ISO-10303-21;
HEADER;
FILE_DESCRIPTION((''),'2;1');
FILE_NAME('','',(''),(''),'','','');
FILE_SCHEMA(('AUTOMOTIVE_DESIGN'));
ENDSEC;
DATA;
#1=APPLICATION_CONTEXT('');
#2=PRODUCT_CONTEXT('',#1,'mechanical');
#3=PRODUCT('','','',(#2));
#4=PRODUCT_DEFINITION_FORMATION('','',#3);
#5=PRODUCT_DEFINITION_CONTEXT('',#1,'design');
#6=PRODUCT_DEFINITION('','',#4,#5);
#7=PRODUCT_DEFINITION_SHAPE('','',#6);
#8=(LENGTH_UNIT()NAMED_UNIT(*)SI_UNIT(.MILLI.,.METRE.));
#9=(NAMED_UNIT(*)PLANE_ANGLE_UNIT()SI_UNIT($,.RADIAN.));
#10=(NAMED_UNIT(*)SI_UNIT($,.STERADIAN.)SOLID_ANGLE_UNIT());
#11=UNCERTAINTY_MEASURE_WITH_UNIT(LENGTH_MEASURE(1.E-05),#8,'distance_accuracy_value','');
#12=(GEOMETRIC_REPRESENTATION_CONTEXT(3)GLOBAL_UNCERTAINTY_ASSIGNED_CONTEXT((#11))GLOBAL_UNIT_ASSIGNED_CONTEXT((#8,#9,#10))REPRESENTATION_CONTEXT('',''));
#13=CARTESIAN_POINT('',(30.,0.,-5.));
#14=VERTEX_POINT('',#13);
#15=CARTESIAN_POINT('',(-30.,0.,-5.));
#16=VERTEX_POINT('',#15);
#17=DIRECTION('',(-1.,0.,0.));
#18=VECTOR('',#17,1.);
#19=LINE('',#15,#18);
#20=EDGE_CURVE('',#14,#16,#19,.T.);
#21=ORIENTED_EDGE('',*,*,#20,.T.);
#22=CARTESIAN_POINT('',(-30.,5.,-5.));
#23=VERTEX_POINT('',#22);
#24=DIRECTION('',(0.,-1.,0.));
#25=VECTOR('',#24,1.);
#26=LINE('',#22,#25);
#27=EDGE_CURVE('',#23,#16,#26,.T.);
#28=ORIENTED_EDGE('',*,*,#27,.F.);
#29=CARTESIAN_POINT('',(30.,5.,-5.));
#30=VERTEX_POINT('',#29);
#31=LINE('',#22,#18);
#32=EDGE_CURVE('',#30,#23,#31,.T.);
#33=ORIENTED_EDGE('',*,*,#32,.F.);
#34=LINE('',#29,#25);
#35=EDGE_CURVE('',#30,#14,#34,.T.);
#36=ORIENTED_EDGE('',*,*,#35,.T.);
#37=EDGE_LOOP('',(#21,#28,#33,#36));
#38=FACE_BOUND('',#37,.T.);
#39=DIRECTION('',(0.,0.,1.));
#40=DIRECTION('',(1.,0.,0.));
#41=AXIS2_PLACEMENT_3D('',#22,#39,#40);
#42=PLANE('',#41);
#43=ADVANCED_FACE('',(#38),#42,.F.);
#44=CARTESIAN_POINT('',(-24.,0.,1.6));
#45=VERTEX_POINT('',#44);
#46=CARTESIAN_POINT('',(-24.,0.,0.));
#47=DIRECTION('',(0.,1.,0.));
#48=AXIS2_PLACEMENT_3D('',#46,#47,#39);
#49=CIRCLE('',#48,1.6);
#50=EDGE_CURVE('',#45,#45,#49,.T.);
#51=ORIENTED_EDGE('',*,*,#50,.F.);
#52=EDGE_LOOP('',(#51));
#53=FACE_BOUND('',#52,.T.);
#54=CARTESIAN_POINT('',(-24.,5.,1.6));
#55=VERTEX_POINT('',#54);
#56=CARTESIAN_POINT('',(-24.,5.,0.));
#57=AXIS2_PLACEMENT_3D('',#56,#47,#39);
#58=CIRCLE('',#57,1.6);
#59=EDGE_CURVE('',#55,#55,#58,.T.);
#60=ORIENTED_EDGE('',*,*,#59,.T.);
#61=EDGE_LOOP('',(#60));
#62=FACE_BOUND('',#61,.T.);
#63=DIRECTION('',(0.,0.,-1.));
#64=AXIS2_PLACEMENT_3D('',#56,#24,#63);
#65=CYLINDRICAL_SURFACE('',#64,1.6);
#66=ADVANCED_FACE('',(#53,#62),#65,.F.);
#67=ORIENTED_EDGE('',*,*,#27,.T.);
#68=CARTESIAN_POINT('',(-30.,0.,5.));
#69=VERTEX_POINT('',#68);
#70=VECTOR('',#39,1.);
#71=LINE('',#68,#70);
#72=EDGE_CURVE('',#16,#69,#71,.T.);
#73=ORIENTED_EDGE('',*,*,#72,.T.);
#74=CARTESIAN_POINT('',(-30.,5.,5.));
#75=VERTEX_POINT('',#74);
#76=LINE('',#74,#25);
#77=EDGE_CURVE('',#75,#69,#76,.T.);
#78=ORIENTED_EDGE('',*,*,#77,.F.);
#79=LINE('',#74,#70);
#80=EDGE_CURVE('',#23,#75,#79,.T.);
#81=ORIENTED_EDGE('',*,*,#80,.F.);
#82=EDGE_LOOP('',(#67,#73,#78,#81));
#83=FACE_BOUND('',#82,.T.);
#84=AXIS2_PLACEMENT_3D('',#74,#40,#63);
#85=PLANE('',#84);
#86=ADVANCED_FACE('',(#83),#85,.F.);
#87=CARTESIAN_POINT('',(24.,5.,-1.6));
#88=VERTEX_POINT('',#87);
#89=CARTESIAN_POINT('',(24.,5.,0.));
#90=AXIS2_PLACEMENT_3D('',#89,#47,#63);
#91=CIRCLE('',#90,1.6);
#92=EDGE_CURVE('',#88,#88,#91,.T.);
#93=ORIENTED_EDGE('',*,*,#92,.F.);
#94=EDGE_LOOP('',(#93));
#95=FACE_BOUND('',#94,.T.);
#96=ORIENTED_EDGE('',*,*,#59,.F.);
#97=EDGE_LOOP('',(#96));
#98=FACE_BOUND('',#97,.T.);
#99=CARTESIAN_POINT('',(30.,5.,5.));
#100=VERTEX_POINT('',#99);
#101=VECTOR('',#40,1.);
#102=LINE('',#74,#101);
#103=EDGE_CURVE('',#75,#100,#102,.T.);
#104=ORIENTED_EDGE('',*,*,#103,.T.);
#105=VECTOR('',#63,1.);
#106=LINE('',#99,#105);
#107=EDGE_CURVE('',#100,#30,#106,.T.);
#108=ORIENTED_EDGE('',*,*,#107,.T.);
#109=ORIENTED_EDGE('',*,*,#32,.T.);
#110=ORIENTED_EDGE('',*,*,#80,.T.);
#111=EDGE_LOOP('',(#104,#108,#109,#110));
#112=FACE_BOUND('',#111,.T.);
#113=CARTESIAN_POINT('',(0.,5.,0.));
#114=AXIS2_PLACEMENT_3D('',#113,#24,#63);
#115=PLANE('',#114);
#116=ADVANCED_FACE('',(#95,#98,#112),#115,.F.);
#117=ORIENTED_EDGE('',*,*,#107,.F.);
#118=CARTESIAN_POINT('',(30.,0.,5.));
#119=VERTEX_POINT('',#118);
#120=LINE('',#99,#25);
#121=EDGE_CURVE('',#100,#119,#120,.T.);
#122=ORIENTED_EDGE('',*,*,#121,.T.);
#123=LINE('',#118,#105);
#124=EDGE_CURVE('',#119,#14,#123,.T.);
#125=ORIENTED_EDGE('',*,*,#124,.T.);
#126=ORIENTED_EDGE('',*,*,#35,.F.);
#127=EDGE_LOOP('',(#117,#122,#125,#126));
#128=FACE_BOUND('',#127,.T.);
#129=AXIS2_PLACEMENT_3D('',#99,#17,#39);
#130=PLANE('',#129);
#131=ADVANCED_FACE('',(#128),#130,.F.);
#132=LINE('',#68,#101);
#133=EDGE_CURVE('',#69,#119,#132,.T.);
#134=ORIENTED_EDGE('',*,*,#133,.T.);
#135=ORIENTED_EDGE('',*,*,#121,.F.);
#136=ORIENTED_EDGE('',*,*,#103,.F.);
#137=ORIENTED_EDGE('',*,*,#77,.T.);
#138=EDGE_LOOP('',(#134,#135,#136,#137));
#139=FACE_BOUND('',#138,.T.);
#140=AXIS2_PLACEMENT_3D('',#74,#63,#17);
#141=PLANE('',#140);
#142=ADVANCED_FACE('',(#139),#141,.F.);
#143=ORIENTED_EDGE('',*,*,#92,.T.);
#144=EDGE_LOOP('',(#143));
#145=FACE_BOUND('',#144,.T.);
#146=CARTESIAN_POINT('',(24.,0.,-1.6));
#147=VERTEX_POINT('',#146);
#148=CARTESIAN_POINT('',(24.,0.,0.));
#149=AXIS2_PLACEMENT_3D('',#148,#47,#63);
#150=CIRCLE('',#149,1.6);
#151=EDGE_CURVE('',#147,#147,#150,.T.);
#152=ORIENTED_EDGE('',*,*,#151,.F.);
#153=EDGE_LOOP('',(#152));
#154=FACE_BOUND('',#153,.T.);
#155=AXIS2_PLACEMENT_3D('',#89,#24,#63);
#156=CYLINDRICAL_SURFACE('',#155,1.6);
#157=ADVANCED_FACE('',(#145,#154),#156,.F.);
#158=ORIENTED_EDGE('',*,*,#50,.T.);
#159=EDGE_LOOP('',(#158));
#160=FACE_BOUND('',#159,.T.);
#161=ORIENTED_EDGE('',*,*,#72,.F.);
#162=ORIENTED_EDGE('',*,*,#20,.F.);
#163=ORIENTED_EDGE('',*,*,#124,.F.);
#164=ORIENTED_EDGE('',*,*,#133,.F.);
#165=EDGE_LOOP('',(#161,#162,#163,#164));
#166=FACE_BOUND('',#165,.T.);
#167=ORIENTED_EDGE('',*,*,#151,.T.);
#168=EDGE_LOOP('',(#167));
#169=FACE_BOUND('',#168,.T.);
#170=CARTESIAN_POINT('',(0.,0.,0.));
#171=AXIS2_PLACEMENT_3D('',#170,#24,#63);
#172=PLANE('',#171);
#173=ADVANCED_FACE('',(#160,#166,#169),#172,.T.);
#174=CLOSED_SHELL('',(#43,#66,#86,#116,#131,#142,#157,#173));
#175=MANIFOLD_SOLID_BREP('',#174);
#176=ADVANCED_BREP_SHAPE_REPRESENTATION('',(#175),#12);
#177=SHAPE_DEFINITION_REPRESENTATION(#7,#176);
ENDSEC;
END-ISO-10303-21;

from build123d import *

# Parameters (mm, degrees)
SKETCH_1_W      = 60
SKETCH_1_H      = 10
SKETCH_1_R      = 1.6
EXTRUDE_1_DEPTH = 5


with BuildPart() as part:
    # 草图1 → 凸台-拉伸1 (new body)
    with BuildSketch(Plane(origin=(0, 0, 0), x_dir=(1, 0, 0), z_dir=(0, 1, 0))):
        Rectangle(SKETCH_1_W, SKETCH_1_H)
        with Locations(Location((-24, 0, 0), (0, 0, 270))):
            Circle(SKETCH_1_R, mode=Mode.SUBTRACT)
        with Locations(Location((24, 0, 0), (0, 0, 90))):
            Circle(SKETCH_1_R, mode=Mode.SUBTRACT)
    extrude(amount=EXTRUDE_1_DEPTH)


solid = part.part
